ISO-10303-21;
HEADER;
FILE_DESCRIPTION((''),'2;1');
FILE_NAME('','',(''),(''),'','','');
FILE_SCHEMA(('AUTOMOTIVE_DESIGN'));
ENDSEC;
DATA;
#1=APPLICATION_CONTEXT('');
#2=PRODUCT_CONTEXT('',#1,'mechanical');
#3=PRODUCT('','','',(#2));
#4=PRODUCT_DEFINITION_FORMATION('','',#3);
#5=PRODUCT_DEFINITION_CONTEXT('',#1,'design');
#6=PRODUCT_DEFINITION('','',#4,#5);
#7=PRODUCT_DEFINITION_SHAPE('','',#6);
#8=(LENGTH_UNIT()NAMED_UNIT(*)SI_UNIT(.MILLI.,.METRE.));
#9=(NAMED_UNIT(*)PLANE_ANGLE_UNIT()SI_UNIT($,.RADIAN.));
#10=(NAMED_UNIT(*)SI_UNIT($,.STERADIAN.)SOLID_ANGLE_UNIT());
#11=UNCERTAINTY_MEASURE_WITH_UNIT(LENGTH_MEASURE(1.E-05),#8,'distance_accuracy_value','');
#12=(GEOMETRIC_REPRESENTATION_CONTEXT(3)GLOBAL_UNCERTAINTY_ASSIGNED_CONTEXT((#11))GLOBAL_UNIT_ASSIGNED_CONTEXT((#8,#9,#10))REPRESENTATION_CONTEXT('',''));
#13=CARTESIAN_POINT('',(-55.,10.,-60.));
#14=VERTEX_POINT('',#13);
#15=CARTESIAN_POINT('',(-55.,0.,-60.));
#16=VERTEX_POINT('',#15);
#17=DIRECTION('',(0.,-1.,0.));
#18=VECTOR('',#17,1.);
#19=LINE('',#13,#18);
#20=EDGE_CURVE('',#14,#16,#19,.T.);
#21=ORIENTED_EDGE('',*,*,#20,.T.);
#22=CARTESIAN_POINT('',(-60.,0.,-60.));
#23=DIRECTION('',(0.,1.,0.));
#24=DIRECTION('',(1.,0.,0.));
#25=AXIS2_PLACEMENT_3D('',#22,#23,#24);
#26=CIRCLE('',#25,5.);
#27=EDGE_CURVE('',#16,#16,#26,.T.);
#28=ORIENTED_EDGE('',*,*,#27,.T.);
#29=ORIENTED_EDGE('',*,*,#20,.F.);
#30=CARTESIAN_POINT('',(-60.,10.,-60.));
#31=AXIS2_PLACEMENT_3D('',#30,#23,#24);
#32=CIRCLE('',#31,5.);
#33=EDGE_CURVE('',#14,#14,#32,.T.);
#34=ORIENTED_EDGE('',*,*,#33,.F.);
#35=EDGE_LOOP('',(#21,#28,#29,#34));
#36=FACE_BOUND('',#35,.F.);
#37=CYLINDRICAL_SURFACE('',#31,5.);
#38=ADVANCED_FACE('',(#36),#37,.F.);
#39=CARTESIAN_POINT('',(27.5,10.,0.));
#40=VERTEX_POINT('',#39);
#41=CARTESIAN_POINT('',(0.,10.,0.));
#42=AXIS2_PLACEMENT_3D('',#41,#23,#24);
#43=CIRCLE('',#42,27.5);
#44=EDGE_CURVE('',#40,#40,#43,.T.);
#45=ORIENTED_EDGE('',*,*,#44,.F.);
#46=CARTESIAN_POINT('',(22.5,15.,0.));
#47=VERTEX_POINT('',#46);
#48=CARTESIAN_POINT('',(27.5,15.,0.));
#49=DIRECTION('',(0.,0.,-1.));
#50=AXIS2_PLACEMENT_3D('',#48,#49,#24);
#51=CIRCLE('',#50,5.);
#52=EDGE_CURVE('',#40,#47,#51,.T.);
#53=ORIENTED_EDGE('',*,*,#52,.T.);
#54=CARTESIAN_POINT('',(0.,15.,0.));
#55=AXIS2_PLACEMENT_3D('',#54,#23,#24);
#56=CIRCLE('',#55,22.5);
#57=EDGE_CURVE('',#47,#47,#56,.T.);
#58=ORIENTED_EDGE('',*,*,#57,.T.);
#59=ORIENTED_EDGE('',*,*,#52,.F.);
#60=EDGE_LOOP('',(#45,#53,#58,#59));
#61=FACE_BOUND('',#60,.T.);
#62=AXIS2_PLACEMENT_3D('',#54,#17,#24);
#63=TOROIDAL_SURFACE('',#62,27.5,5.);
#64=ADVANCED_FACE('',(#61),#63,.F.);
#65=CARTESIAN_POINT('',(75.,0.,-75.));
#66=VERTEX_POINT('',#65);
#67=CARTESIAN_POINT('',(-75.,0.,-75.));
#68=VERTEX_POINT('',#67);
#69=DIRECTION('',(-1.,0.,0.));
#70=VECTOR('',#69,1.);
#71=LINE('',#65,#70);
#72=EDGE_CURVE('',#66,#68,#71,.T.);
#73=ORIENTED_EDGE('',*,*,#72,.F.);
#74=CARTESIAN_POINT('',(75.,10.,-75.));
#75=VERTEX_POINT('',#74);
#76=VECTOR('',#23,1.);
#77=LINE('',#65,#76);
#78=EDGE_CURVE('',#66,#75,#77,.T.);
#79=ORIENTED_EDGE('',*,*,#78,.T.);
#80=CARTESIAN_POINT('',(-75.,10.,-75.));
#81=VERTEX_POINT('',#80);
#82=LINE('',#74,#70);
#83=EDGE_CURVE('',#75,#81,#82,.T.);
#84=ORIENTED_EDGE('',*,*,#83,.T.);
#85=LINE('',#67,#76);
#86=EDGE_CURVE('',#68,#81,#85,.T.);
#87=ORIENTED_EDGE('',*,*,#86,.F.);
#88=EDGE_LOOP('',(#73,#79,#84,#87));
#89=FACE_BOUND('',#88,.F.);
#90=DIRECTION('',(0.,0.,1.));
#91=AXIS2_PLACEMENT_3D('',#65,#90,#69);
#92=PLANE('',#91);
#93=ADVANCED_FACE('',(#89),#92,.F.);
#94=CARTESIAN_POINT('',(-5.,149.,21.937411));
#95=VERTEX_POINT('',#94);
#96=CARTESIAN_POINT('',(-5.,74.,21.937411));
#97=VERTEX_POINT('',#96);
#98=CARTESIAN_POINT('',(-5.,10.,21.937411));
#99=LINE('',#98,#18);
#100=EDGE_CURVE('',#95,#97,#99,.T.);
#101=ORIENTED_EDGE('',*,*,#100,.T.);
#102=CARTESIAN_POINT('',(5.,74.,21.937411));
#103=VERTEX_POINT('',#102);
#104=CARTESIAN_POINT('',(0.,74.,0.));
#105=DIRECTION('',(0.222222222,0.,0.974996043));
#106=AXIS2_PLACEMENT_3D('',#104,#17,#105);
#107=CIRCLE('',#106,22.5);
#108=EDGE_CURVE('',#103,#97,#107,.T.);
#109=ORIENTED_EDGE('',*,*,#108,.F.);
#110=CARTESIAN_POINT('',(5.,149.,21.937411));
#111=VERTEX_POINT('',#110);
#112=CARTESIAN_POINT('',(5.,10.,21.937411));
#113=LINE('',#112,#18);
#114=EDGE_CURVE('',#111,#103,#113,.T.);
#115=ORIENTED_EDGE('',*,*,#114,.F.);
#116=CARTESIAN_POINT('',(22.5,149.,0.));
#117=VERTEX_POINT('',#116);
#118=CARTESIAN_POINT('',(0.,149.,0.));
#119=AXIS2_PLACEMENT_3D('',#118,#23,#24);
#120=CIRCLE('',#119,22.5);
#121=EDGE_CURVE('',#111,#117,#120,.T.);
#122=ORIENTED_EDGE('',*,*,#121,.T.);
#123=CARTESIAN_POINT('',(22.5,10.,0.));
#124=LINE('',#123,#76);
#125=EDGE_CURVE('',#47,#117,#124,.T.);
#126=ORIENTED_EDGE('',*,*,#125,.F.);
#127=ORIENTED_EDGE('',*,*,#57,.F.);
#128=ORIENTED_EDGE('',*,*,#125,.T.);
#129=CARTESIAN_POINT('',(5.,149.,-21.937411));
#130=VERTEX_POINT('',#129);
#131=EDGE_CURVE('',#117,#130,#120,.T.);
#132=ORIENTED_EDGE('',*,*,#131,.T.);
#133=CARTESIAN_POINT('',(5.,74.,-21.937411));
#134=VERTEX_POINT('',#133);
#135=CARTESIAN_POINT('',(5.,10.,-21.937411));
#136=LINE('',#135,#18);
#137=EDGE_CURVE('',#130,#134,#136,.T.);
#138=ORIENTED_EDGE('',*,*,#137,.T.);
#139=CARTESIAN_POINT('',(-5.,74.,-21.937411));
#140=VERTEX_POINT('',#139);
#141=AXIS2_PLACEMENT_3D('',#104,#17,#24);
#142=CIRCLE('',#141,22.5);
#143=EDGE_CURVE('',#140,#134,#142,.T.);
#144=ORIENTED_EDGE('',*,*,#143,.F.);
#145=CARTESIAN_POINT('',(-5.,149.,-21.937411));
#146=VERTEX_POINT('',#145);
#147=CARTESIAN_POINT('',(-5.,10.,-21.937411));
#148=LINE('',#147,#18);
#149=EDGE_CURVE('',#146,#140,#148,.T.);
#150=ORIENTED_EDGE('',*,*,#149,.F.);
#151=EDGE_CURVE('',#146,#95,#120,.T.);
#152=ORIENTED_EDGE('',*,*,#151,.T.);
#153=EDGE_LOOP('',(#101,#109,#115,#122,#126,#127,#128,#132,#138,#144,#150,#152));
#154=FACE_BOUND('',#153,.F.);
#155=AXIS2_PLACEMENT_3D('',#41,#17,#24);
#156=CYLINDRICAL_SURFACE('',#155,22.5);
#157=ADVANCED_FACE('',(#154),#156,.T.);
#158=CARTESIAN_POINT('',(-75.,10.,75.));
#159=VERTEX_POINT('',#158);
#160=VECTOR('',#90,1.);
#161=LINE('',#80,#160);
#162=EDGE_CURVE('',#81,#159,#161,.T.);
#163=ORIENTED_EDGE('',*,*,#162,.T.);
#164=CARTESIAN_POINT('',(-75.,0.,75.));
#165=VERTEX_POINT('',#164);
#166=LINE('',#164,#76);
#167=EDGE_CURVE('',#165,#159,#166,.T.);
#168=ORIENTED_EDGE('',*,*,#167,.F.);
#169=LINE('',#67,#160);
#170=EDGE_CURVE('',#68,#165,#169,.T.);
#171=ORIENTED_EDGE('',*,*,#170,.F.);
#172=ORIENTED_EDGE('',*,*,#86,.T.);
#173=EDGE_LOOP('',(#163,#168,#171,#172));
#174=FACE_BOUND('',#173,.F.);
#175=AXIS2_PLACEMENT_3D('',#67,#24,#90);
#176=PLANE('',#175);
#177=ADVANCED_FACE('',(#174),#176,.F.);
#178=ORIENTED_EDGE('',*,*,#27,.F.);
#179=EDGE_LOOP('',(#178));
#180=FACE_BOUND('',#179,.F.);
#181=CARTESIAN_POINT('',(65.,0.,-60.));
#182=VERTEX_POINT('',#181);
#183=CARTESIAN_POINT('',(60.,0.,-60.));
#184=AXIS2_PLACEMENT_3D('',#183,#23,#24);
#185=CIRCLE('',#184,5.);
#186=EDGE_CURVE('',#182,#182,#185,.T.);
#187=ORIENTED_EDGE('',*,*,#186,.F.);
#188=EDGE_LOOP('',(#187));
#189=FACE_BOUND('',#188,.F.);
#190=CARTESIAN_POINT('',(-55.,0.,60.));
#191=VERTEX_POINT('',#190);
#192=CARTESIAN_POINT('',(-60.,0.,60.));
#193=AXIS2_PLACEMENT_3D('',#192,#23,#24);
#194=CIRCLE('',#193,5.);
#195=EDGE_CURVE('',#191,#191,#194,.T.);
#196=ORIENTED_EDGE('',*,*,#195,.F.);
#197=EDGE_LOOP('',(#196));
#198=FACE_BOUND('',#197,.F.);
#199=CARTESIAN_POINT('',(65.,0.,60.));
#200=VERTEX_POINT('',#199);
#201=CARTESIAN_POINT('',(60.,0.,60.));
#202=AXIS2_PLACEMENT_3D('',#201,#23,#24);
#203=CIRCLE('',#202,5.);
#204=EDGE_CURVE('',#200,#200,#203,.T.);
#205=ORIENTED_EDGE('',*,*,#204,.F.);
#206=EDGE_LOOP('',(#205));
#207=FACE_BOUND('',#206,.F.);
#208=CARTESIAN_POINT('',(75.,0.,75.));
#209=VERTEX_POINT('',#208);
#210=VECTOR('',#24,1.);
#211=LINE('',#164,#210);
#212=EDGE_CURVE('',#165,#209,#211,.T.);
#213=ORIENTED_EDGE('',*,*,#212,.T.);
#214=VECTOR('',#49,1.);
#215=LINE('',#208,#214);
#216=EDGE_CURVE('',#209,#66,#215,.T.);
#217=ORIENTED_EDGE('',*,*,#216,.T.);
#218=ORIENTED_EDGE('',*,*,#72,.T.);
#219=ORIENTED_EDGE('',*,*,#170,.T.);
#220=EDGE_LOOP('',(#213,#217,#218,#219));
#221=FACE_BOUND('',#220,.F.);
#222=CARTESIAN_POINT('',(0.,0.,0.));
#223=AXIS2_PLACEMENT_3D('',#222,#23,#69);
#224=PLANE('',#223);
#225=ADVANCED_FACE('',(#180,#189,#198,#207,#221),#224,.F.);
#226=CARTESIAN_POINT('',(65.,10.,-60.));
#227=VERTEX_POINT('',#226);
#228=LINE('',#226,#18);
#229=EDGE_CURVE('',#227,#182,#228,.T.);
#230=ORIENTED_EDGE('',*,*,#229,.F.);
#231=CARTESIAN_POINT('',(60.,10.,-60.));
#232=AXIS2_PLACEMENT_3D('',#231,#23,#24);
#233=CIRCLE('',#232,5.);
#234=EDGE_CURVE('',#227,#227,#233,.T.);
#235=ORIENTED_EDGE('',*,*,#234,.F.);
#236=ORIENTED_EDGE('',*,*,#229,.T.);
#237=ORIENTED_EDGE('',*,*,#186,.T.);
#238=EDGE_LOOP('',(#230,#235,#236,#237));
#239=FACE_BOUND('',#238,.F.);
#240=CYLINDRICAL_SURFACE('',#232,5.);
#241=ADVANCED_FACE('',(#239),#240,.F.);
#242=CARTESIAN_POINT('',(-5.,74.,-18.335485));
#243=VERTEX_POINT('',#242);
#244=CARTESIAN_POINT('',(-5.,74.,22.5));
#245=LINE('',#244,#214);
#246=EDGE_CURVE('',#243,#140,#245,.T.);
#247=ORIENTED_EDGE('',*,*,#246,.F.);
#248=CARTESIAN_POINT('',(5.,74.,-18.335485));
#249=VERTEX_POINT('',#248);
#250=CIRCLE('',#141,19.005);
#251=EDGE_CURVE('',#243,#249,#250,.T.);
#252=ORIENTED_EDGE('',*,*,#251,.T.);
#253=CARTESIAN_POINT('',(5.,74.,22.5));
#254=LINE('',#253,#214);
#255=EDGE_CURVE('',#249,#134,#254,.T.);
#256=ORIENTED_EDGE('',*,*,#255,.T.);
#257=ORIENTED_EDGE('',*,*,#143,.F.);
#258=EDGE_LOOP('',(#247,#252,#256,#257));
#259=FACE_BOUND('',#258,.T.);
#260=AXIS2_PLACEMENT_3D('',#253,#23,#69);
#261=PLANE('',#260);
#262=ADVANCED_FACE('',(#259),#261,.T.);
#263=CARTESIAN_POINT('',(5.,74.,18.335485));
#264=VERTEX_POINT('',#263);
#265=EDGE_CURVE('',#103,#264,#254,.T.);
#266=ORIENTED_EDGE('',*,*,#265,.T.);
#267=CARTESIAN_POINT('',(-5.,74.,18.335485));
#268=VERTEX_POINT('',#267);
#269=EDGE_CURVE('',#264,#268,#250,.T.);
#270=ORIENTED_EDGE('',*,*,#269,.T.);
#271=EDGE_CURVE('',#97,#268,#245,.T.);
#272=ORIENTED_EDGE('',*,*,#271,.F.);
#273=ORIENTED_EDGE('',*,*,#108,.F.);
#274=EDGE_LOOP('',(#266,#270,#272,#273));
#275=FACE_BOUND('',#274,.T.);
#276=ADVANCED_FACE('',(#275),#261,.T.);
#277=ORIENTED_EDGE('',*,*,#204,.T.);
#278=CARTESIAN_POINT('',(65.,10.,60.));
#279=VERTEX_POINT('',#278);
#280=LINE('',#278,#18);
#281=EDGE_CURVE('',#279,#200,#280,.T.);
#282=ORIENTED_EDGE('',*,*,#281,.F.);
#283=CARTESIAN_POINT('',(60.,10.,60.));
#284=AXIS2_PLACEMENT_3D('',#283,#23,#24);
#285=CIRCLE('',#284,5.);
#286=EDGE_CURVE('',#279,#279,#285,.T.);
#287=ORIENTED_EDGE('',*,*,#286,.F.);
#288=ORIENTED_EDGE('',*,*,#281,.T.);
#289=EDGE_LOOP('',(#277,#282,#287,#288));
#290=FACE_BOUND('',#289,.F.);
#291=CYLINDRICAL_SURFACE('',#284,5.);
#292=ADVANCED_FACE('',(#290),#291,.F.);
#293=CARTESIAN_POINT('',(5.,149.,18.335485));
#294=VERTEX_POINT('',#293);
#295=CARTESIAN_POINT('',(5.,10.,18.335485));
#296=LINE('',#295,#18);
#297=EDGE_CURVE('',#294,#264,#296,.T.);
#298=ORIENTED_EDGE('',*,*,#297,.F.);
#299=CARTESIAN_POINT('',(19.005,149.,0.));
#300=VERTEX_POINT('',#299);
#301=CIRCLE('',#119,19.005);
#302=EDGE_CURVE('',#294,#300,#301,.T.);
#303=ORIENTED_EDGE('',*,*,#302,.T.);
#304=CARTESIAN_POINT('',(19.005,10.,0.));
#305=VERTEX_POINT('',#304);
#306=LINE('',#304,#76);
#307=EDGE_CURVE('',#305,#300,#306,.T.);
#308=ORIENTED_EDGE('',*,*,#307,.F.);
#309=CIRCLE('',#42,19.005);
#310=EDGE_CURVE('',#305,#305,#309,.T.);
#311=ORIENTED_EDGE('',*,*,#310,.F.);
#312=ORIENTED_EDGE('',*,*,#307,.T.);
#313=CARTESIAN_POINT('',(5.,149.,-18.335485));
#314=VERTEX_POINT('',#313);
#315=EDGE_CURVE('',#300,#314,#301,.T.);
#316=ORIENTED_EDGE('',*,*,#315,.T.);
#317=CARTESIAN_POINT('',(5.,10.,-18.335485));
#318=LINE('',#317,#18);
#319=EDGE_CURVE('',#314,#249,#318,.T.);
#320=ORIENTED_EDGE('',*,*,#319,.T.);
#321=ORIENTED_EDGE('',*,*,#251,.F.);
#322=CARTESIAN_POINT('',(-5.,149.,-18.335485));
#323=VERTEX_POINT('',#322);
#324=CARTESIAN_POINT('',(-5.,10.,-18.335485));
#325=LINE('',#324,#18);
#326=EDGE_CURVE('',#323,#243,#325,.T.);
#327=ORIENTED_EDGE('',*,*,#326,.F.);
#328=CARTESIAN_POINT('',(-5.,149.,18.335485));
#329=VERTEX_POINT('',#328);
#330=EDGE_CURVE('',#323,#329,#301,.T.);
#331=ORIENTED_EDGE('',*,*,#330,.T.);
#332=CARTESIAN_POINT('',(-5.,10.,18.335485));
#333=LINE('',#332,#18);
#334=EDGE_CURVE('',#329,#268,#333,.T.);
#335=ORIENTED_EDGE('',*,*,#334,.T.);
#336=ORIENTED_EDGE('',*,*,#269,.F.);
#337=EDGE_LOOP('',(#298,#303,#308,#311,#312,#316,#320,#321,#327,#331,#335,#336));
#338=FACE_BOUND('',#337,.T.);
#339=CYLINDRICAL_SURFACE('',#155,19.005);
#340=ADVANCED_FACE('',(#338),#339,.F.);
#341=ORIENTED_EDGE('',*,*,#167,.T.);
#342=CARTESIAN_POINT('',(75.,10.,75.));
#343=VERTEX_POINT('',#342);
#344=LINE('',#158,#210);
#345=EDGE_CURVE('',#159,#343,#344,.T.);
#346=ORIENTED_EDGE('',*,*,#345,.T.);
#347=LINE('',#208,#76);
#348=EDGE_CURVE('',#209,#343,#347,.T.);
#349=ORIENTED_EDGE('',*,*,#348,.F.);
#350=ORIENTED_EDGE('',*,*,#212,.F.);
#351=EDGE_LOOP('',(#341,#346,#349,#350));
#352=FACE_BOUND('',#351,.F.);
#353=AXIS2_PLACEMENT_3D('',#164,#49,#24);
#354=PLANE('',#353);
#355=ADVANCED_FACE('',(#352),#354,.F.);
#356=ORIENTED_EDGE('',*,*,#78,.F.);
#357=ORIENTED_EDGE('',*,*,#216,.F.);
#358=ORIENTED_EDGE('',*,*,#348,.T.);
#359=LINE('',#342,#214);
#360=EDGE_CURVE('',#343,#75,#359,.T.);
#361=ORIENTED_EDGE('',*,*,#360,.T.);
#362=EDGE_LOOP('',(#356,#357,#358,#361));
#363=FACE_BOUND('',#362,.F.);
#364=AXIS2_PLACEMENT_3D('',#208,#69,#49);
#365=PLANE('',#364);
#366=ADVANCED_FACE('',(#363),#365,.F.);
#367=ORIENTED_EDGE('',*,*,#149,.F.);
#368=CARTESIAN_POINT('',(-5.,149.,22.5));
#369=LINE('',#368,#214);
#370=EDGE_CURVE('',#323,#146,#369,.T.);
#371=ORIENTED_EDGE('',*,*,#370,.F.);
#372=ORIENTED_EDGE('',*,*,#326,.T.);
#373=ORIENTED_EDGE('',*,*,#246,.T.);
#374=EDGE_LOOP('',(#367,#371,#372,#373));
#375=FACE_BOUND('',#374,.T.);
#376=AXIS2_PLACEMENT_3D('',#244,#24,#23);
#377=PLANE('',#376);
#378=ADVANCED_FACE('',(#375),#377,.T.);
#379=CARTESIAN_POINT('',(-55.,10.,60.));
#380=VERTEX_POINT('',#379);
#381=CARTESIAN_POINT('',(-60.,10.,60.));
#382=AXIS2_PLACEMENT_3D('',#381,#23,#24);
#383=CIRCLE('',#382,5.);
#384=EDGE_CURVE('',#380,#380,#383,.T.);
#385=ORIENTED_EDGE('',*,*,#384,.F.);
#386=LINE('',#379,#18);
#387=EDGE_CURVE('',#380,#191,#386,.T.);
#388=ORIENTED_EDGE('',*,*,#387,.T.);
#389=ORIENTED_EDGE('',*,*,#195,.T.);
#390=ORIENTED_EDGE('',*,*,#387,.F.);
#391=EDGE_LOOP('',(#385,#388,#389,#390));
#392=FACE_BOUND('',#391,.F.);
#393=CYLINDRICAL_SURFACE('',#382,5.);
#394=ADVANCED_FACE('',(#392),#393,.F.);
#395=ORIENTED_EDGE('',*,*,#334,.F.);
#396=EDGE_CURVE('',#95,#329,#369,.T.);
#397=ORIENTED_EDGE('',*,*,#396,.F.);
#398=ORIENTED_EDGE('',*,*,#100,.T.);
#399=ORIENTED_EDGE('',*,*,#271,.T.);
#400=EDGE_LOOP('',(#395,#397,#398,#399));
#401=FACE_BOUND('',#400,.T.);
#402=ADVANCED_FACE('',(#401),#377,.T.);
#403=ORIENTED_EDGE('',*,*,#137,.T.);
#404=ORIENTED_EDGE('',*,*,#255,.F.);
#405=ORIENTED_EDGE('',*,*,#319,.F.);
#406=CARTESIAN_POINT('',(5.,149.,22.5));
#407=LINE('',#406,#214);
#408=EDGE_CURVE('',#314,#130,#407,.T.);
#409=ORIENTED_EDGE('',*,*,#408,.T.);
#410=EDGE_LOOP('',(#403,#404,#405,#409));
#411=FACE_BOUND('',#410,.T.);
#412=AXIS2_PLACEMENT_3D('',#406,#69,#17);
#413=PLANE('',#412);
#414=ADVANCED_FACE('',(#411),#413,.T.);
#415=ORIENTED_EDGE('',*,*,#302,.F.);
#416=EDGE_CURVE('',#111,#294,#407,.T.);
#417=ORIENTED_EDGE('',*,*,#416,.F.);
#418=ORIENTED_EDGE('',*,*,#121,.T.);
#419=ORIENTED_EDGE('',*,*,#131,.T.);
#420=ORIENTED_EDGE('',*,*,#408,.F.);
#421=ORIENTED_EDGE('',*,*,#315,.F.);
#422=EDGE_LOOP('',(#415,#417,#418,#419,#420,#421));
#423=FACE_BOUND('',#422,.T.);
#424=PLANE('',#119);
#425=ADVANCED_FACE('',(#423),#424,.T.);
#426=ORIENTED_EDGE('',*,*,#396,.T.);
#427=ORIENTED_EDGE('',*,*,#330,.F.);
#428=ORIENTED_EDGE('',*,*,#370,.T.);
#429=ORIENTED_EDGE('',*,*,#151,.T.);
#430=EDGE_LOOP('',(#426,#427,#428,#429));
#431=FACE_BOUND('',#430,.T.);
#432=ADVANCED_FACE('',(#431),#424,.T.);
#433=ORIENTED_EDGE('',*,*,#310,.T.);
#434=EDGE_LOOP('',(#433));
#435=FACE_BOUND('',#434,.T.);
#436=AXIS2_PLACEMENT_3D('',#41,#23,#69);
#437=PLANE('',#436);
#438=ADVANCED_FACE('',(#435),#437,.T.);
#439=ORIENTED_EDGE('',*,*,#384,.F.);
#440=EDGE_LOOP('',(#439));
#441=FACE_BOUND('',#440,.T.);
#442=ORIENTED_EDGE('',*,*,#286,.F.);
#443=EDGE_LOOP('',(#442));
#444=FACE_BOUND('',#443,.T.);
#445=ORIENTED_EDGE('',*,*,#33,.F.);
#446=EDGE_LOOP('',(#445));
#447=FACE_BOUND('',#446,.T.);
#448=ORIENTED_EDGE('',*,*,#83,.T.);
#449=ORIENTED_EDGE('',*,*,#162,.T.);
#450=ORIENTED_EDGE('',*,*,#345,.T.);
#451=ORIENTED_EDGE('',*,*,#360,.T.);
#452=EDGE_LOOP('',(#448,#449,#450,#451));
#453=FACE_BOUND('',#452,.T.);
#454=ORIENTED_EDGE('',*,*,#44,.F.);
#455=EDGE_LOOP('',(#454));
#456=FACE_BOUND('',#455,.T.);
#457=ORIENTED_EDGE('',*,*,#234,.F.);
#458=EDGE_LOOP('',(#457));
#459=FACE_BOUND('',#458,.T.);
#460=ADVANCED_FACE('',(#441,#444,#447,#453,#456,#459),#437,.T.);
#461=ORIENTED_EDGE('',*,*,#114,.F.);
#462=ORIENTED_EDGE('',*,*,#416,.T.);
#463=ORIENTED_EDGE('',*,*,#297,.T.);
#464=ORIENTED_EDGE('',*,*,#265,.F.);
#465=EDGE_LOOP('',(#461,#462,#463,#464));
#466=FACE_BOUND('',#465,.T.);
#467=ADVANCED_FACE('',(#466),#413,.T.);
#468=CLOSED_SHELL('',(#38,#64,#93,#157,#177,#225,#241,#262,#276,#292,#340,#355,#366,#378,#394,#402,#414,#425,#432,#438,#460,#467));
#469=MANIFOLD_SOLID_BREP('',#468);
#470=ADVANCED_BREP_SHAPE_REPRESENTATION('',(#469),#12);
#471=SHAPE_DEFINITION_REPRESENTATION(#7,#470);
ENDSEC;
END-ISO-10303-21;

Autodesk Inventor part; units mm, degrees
ref_plane "YZ Plane" through (0, 0, 0) normal (1, 0, 0) x (0, 1, 0)
ref_plane "XZ Plane" through (0, 0, 0) normal (0, 1, 0) x (-1, 0, 0)
sketch "Sketch1" plane through (0, 0, 0) normal (0, 1, 0) x (-1, 0, 0)
  line L0 (75, 75) -> (-75, 75)
  line L1 (-75, 75) -> (-75, -75)
  line L2 (-75, -75) -> (75, -75)
  line L3 (75, -75) -> (75, 75)
  line L4 (75, 75) -> (-75, -75) construction
  line L5 (-75, 75) -> (75, -75) construction
  point P0 (0, 0)
  dimension "d6" = 150
  dimension "d7" = 150
extrude "Extrusion4" add sketch "Sketch1" along normal blind 10
sketch "Sketch4" plane through (0, 10, 0) normal (0, 1, 0) x (1, 0, 0)
  line L0 (75, 75) -> (-75, 75) projected
  line L1 (0, 0) -> (-75, 75) construction
  circle A0 centre (-60, 60) radius 5
  line L2 (-75, 75) -> (-75, -75) projected
  line L3 (0, 75) -> (0, -75) construction
  line L4 (-75, -75) -> (75, -75) projected
  line L5 (-75, 0) -> (75, 0) construction
  circle A1 centre (60, 60) radius 5
  circle A2 centre (-60, -60) radius 5
  circle A3 centre (60, -60) radius 5
  dimension "d10" = 10
  dimension "d11" = 15
  dimension "d12" = 15
extrude "Extrusion5" cut sketch "Sketch4" against normal through all
sketch "Sketch5" plane through (0, 10, 0) normal (0, 1, 0) x (1, 0, 0)
  circle A0 centre (0, 0) radius 22.5
  circle A1 centre (0, 0) radius 19.005
  dimension "d15" = 45
  dimension "d18" = 38.01
extrude "Extrusion6" add sketch "Sketch5" along normal blind 139
fillet "Fillet1" radius 5 1 edges at (-22.5, 10, 0)
ref_plane "Work Plane1" through (0, 10, 22.5) normal (0, 0, 1) x (1, 0, 0)
sketch "Sketch6" plane through (0, 10, 22.5) normal (0, 0, 1) x (1, 0, 0)
  line L0 (-5, 214) -> (5, 214)
  line L1 (5, 214) -> (5, 64)
  line L2 (5, 64) -> (-5, 64)
  line L3 (-5, 64) -> (-5, 214)
  line L4 (-19.005, 139) -> (19.005, 139) projected
  line L5 (-5, 214) -> (5, 64) construction
  line L6 (5, 214) -> (-5, 64) construction
  point P0 (0, -10)
  point P1 (0, 139)
  point P2 (5, 139)
  point P3 (-5, 139)
  dimension "d20" = 10
  dimension "d21" = 150
extrude "Extrusion7" cut sketch "Sketch6" against normal through all contours L4 L1 L2 L3
properties part number "Motor_beam_connection"
